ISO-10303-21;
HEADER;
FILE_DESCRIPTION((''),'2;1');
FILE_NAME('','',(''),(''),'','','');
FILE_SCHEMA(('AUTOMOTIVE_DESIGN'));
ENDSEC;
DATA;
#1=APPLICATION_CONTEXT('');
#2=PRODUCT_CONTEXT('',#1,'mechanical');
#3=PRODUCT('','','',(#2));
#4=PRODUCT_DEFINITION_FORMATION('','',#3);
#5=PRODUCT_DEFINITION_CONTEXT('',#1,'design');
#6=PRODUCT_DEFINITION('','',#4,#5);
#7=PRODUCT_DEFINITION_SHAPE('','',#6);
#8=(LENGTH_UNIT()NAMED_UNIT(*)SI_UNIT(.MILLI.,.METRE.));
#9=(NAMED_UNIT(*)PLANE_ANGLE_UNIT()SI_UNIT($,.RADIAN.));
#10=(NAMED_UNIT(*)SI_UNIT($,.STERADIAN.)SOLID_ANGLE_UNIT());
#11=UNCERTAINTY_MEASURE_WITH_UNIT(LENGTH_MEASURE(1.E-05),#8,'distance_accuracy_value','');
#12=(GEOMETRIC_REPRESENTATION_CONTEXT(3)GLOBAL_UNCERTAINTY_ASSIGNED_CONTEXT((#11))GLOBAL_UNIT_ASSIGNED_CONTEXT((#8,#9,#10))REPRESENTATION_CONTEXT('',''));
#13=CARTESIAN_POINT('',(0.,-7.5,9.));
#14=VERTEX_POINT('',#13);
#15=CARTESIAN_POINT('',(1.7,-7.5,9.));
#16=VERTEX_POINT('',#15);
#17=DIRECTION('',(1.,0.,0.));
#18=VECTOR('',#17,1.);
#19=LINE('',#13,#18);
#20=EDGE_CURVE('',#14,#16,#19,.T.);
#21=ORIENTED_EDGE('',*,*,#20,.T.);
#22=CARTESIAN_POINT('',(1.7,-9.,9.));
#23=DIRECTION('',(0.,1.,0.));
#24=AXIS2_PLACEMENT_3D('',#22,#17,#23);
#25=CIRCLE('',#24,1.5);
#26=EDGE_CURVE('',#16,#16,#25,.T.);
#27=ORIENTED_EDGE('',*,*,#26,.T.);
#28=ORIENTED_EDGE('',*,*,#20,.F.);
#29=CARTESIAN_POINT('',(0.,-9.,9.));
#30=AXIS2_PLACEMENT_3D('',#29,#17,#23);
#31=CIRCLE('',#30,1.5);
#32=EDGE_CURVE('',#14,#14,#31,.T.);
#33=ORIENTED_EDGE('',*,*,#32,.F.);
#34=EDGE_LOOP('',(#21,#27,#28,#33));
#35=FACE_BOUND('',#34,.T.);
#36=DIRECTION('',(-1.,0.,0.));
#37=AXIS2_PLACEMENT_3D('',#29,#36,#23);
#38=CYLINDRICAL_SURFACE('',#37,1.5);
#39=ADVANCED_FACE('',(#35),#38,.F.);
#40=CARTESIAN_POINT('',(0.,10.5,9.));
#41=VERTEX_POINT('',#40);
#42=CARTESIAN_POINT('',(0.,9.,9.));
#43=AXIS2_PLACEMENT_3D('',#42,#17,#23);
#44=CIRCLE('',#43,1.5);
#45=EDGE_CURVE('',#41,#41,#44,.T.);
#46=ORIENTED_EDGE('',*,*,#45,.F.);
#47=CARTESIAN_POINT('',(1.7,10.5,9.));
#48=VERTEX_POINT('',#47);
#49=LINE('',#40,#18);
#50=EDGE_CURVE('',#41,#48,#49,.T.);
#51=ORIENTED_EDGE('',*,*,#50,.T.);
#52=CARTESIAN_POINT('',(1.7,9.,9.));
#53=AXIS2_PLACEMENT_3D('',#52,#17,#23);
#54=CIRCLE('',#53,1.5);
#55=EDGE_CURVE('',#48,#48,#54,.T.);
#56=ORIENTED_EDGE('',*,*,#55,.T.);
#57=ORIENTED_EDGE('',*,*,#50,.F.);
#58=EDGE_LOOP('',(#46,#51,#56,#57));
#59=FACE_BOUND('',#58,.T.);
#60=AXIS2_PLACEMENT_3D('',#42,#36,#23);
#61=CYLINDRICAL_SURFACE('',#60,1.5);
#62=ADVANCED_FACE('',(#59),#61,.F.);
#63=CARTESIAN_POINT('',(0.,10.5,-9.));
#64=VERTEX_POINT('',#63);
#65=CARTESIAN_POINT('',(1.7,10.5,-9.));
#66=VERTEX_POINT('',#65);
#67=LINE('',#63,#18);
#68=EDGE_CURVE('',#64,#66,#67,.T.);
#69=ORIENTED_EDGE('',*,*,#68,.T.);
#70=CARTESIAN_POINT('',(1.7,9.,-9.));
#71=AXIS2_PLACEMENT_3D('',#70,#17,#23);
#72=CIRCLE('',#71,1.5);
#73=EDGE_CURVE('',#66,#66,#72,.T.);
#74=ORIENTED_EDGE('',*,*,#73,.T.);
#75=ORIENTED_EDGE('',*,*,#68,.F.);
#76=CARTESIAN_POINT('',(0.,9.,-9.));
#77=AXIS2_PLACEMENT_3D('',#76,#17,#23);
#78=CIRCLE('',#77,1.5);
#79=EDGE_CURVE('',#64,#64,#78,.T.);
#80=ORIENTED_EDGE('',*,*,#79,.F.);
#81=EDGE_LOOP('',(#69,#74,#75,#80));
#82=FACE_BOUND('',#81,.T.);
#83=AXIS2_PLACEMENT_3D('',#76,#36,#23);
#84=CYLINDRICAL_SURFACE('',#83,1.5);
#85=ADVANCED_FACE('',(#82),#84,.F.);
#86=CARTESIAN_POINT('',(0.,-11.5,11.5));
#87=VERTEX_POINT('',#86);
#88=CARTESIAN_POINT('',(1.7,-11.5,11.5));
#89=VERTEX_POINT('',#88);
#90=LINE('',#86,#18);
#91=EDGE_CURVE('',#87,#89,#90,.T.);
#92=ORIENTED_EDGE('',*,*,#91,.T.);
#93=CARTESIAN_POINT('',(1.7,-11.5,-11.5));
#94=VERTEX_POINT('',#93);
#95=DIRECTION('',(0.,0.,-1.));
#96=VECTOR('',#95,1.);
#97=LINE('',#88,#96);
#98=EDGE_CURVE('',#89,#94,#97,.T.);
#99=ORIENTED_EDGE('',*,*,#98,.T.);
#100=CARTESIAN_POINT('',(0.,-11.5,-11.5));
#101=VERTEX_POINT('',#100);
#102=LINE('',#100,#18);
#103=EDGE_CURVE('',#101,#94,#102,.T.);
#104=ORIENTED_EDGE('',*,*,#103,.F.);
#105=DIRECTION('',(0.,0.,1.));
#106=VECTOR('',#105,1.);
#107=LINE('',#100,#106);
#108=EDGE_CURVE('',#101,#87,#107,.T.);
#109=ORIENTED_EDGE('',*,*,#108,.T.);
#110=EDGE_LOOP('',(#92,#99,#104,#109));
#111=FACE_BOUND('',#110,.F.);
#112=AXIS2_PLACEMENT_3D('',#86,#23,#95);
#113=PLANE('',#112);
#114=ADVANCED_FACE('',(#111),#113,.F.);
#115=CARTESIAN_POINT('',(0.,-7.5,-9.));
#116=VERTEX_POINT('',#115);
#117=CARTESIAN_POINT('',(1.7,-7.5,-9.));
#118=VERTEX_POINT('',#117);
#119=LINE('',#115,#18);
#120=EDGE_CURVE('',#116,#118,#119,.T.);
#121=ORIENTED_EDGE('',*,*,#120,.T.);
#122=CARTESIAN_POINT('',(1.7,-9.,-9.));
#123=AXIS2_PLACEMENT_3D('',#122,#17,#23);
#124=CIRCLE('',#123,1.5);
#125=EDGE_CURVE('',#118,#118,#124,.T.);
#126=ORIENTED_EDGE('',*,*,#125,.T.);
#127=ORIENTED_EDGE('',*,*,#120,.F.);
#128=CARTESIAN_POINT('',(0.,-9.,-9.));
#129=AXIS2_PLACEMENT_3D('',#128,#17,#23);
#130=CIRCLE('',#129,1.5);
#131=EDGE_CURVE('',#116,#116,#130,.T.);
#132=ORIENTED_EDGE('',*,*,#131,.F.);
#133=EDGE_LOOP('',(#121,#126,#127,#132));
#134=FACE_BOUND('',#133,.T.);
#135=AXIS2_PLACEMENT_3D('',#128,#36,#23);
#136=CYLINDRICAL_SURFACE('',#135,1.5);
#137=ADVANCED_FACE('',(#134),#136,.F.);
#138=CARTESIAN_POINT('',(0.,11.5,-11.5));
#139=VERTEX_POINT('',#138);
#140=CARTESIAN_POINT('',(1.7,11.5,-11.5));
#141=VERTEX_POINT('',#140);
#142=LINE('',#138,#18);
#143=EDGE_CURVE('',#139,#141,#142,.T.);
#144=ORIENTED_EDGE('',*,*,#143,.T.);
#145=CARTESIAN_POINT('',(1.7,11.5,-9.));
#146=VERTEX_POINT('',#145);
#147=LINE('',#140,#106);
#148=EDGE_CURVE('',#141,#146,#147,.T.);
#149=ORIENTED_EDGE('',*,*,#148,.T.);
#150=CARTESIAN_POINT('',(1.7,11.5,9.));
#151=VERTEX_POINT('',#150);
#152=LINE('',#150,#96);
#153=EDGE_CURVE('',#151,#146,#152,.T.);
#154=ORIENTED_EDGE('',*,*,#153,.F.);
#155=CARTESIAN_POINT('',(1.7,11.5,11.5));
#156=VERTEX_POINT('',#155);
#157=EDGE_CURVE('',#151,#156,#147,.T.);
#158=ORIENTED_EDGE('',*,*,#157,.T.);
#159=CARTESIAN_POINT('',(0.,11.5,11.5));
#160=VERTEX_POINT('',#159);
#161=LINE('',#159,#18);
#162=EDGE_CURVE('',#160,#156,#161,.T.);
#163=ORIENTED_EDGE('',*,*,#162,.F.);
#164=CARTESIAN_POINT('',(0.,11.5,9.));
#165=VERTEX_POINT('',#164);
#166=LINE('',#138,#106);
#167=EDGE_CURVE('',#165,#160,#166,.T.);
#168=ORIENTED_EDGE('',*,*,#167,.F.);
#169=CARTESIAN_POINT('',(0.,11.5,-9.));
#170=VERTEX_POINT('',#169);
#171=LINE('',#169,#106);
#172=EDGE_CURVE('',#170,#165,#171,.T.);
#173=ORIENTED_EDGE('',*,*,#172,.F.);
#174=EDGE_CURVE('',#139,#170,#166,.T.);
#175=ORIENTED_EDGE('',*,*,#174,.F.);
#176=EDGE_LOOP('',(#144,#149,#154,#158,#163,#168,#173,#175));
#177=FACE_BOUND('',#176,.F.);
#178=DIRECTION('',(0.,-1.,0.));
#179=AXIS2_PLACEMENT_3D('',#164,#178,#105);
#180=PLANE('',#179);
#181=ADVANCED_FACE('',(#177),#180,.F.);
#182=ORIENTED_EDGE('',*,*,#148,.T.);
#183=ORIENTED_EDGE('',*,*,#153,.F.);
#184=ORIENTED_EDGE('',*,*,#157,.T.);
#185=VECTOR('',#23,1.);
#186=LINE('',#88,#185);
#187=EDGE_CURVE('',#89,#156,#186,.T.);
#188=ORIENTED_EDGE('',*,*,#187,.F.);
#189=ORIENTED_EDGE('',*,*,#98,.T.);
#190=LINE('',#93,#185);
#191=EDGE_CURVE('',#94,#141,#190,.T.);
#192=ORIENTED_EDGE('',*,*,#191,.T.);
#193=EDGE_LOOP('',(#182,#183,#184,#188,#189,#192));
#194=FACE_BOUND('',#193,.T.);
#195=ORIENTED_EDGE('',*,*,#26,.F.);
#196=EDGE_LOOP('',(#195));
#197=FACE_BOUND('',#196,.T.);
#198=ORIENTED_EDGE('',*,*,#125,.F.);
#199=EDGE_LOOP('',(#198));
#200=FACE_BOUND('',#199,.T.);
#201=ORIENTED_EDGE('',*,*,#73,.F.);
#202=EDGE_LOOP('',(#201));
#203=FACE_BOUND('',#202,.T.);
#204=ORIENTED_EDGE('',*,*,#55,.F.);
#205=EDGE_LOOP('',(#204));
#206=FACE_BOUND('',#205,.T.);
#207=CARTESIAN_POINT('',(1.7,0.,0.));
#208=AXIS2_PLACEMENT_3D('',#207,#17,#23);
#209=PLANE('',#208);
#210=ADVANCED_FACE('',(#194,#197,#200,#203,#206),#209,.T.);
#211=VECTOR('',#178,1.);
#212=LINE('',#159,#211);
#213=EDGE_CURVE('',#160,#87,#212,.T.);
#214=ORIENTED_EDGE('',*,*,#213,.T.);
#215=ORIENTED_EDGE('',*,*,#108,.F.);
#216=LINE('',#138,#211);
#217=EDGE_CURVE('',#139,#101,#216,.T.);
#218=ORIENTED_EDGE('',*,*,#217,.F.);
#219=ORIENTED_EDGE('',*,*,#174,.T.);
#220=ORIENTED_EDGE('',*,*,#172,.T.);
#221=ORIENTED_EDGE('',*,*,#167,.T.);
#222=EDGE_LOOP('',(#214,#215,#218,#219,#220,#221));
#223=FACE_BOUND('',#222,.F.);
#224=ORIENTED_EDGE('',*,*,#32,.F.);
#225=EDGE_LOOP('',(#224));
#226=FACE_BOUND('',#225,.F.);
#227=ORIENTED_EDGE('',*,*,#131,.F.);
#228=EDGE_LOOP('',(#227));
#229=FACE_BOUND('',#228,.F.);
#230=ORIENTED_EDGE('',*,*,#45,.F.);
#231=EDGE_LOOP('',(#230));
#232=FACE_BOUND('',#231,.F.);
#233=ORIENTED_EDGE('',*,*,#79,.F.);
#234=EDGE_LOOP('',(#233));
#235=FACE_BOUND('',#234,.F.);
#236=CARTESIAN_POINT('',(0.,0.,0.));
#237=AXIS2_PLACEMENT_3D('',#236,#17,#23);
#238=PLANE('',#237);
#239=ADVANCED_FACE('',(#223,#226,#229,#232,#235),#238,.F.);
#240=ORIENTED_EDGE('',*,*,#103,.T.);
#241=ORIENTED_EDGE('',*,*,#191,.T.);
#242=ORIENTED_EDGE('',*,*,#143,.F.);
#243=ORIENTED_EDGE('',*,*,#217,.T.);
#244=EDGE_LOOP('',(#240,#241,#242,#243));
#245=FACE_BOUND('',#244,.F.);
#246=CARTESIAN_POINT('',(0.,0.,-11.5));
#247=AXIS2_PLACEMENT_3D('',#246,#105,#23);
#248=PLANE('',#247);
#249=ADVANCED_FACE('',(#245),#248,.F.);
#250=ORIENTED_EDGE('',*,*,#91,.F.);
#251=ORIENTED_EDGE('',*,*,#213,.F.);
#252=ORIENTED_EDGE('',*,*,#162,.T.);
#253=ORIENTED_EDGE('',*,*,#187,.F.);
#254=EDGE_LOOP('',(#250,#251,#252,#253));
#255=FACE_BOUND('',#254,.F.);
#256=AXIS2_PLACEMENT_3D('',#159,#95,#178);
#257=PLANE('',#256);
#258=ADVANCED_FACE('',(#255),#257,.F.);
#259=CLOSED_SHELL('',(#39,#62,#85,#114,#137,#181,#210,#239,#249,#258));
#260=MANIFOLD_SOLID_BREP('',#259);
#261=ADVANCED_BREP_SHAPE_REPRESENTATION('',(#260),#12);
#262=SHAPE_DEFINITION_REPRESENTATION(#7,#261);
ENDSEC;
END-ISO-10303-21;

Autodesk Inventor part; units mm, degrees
ref_plane "YZ Plane" through (0, 0, 0) normal (1, 0, 0) x (0, 1, 0)
ref_plane "XZ Plane" through (0, 0, 0) normal (0, 1, 0) x (-1, 0, 0)
ref_plane "XY Plane" through (0, 0, 0) normal (0, 0, 1) x (1, 0, 0)
sketch "Sketch1" plane through (0, 0, 0) normal (1, 0, 0) x (0, 1, 0)
  line L0 (11.5, 11.5) -> (-11.5, 11.5)
  line L1 (-11.5, 11.5) -> (-11.5, -11.5)
  line L2 (-11.5, -11.5) -> (11.5, -11.5)
  line L3 (11.5, -11.5) -> (11.5, 11.5)
  line L4 (11.5, 11.5) -> (-11.5, -11.5) construction
  line L5 (-11.5, 11.5) -> (11.5, -11.5) construction
  line L6 (11.5, 11.5) -> (11.5, 9)
  line L7 (11.5, 9) -> (9, 9)
  circle A0 centre (9, 9) radius 1.5
  line L8 (11.5, 0) -> (-11.5, 0)
  line L9 (0, 11.5) -> (0, -11.5)
  line L10 (11.5, -11.5) -> (-11.5, 11.5) construction
  line L11 (11.5, -9) -> (9, -9)
  circle A1 centre (9, -9) radius 1.5
  circle A2 centre (-9, 9) radius 1.5
  circle A3 centre (-9, -9) radius 1.5
  point P0 (0, 0)
  dimension "d0" = 23
  dimension "d1" = 23
  dimension "d2" = 2.5
  dimension "d3" = 2.5
  dimension "d4" = 3
extrude "Extrusion1" add sketch "Sketch1" along normal blind 1.7
ref_plane "Work Plane1" through (0, 0, 11.5) normal (0, 1, 0) x (1, 0, 0)
ref_plane "Work Plane2" through (0, -11.5, 0) normal (0, 0, -1) x (-1, 0, 0)
properties part number "magentic_encoder_modell"
